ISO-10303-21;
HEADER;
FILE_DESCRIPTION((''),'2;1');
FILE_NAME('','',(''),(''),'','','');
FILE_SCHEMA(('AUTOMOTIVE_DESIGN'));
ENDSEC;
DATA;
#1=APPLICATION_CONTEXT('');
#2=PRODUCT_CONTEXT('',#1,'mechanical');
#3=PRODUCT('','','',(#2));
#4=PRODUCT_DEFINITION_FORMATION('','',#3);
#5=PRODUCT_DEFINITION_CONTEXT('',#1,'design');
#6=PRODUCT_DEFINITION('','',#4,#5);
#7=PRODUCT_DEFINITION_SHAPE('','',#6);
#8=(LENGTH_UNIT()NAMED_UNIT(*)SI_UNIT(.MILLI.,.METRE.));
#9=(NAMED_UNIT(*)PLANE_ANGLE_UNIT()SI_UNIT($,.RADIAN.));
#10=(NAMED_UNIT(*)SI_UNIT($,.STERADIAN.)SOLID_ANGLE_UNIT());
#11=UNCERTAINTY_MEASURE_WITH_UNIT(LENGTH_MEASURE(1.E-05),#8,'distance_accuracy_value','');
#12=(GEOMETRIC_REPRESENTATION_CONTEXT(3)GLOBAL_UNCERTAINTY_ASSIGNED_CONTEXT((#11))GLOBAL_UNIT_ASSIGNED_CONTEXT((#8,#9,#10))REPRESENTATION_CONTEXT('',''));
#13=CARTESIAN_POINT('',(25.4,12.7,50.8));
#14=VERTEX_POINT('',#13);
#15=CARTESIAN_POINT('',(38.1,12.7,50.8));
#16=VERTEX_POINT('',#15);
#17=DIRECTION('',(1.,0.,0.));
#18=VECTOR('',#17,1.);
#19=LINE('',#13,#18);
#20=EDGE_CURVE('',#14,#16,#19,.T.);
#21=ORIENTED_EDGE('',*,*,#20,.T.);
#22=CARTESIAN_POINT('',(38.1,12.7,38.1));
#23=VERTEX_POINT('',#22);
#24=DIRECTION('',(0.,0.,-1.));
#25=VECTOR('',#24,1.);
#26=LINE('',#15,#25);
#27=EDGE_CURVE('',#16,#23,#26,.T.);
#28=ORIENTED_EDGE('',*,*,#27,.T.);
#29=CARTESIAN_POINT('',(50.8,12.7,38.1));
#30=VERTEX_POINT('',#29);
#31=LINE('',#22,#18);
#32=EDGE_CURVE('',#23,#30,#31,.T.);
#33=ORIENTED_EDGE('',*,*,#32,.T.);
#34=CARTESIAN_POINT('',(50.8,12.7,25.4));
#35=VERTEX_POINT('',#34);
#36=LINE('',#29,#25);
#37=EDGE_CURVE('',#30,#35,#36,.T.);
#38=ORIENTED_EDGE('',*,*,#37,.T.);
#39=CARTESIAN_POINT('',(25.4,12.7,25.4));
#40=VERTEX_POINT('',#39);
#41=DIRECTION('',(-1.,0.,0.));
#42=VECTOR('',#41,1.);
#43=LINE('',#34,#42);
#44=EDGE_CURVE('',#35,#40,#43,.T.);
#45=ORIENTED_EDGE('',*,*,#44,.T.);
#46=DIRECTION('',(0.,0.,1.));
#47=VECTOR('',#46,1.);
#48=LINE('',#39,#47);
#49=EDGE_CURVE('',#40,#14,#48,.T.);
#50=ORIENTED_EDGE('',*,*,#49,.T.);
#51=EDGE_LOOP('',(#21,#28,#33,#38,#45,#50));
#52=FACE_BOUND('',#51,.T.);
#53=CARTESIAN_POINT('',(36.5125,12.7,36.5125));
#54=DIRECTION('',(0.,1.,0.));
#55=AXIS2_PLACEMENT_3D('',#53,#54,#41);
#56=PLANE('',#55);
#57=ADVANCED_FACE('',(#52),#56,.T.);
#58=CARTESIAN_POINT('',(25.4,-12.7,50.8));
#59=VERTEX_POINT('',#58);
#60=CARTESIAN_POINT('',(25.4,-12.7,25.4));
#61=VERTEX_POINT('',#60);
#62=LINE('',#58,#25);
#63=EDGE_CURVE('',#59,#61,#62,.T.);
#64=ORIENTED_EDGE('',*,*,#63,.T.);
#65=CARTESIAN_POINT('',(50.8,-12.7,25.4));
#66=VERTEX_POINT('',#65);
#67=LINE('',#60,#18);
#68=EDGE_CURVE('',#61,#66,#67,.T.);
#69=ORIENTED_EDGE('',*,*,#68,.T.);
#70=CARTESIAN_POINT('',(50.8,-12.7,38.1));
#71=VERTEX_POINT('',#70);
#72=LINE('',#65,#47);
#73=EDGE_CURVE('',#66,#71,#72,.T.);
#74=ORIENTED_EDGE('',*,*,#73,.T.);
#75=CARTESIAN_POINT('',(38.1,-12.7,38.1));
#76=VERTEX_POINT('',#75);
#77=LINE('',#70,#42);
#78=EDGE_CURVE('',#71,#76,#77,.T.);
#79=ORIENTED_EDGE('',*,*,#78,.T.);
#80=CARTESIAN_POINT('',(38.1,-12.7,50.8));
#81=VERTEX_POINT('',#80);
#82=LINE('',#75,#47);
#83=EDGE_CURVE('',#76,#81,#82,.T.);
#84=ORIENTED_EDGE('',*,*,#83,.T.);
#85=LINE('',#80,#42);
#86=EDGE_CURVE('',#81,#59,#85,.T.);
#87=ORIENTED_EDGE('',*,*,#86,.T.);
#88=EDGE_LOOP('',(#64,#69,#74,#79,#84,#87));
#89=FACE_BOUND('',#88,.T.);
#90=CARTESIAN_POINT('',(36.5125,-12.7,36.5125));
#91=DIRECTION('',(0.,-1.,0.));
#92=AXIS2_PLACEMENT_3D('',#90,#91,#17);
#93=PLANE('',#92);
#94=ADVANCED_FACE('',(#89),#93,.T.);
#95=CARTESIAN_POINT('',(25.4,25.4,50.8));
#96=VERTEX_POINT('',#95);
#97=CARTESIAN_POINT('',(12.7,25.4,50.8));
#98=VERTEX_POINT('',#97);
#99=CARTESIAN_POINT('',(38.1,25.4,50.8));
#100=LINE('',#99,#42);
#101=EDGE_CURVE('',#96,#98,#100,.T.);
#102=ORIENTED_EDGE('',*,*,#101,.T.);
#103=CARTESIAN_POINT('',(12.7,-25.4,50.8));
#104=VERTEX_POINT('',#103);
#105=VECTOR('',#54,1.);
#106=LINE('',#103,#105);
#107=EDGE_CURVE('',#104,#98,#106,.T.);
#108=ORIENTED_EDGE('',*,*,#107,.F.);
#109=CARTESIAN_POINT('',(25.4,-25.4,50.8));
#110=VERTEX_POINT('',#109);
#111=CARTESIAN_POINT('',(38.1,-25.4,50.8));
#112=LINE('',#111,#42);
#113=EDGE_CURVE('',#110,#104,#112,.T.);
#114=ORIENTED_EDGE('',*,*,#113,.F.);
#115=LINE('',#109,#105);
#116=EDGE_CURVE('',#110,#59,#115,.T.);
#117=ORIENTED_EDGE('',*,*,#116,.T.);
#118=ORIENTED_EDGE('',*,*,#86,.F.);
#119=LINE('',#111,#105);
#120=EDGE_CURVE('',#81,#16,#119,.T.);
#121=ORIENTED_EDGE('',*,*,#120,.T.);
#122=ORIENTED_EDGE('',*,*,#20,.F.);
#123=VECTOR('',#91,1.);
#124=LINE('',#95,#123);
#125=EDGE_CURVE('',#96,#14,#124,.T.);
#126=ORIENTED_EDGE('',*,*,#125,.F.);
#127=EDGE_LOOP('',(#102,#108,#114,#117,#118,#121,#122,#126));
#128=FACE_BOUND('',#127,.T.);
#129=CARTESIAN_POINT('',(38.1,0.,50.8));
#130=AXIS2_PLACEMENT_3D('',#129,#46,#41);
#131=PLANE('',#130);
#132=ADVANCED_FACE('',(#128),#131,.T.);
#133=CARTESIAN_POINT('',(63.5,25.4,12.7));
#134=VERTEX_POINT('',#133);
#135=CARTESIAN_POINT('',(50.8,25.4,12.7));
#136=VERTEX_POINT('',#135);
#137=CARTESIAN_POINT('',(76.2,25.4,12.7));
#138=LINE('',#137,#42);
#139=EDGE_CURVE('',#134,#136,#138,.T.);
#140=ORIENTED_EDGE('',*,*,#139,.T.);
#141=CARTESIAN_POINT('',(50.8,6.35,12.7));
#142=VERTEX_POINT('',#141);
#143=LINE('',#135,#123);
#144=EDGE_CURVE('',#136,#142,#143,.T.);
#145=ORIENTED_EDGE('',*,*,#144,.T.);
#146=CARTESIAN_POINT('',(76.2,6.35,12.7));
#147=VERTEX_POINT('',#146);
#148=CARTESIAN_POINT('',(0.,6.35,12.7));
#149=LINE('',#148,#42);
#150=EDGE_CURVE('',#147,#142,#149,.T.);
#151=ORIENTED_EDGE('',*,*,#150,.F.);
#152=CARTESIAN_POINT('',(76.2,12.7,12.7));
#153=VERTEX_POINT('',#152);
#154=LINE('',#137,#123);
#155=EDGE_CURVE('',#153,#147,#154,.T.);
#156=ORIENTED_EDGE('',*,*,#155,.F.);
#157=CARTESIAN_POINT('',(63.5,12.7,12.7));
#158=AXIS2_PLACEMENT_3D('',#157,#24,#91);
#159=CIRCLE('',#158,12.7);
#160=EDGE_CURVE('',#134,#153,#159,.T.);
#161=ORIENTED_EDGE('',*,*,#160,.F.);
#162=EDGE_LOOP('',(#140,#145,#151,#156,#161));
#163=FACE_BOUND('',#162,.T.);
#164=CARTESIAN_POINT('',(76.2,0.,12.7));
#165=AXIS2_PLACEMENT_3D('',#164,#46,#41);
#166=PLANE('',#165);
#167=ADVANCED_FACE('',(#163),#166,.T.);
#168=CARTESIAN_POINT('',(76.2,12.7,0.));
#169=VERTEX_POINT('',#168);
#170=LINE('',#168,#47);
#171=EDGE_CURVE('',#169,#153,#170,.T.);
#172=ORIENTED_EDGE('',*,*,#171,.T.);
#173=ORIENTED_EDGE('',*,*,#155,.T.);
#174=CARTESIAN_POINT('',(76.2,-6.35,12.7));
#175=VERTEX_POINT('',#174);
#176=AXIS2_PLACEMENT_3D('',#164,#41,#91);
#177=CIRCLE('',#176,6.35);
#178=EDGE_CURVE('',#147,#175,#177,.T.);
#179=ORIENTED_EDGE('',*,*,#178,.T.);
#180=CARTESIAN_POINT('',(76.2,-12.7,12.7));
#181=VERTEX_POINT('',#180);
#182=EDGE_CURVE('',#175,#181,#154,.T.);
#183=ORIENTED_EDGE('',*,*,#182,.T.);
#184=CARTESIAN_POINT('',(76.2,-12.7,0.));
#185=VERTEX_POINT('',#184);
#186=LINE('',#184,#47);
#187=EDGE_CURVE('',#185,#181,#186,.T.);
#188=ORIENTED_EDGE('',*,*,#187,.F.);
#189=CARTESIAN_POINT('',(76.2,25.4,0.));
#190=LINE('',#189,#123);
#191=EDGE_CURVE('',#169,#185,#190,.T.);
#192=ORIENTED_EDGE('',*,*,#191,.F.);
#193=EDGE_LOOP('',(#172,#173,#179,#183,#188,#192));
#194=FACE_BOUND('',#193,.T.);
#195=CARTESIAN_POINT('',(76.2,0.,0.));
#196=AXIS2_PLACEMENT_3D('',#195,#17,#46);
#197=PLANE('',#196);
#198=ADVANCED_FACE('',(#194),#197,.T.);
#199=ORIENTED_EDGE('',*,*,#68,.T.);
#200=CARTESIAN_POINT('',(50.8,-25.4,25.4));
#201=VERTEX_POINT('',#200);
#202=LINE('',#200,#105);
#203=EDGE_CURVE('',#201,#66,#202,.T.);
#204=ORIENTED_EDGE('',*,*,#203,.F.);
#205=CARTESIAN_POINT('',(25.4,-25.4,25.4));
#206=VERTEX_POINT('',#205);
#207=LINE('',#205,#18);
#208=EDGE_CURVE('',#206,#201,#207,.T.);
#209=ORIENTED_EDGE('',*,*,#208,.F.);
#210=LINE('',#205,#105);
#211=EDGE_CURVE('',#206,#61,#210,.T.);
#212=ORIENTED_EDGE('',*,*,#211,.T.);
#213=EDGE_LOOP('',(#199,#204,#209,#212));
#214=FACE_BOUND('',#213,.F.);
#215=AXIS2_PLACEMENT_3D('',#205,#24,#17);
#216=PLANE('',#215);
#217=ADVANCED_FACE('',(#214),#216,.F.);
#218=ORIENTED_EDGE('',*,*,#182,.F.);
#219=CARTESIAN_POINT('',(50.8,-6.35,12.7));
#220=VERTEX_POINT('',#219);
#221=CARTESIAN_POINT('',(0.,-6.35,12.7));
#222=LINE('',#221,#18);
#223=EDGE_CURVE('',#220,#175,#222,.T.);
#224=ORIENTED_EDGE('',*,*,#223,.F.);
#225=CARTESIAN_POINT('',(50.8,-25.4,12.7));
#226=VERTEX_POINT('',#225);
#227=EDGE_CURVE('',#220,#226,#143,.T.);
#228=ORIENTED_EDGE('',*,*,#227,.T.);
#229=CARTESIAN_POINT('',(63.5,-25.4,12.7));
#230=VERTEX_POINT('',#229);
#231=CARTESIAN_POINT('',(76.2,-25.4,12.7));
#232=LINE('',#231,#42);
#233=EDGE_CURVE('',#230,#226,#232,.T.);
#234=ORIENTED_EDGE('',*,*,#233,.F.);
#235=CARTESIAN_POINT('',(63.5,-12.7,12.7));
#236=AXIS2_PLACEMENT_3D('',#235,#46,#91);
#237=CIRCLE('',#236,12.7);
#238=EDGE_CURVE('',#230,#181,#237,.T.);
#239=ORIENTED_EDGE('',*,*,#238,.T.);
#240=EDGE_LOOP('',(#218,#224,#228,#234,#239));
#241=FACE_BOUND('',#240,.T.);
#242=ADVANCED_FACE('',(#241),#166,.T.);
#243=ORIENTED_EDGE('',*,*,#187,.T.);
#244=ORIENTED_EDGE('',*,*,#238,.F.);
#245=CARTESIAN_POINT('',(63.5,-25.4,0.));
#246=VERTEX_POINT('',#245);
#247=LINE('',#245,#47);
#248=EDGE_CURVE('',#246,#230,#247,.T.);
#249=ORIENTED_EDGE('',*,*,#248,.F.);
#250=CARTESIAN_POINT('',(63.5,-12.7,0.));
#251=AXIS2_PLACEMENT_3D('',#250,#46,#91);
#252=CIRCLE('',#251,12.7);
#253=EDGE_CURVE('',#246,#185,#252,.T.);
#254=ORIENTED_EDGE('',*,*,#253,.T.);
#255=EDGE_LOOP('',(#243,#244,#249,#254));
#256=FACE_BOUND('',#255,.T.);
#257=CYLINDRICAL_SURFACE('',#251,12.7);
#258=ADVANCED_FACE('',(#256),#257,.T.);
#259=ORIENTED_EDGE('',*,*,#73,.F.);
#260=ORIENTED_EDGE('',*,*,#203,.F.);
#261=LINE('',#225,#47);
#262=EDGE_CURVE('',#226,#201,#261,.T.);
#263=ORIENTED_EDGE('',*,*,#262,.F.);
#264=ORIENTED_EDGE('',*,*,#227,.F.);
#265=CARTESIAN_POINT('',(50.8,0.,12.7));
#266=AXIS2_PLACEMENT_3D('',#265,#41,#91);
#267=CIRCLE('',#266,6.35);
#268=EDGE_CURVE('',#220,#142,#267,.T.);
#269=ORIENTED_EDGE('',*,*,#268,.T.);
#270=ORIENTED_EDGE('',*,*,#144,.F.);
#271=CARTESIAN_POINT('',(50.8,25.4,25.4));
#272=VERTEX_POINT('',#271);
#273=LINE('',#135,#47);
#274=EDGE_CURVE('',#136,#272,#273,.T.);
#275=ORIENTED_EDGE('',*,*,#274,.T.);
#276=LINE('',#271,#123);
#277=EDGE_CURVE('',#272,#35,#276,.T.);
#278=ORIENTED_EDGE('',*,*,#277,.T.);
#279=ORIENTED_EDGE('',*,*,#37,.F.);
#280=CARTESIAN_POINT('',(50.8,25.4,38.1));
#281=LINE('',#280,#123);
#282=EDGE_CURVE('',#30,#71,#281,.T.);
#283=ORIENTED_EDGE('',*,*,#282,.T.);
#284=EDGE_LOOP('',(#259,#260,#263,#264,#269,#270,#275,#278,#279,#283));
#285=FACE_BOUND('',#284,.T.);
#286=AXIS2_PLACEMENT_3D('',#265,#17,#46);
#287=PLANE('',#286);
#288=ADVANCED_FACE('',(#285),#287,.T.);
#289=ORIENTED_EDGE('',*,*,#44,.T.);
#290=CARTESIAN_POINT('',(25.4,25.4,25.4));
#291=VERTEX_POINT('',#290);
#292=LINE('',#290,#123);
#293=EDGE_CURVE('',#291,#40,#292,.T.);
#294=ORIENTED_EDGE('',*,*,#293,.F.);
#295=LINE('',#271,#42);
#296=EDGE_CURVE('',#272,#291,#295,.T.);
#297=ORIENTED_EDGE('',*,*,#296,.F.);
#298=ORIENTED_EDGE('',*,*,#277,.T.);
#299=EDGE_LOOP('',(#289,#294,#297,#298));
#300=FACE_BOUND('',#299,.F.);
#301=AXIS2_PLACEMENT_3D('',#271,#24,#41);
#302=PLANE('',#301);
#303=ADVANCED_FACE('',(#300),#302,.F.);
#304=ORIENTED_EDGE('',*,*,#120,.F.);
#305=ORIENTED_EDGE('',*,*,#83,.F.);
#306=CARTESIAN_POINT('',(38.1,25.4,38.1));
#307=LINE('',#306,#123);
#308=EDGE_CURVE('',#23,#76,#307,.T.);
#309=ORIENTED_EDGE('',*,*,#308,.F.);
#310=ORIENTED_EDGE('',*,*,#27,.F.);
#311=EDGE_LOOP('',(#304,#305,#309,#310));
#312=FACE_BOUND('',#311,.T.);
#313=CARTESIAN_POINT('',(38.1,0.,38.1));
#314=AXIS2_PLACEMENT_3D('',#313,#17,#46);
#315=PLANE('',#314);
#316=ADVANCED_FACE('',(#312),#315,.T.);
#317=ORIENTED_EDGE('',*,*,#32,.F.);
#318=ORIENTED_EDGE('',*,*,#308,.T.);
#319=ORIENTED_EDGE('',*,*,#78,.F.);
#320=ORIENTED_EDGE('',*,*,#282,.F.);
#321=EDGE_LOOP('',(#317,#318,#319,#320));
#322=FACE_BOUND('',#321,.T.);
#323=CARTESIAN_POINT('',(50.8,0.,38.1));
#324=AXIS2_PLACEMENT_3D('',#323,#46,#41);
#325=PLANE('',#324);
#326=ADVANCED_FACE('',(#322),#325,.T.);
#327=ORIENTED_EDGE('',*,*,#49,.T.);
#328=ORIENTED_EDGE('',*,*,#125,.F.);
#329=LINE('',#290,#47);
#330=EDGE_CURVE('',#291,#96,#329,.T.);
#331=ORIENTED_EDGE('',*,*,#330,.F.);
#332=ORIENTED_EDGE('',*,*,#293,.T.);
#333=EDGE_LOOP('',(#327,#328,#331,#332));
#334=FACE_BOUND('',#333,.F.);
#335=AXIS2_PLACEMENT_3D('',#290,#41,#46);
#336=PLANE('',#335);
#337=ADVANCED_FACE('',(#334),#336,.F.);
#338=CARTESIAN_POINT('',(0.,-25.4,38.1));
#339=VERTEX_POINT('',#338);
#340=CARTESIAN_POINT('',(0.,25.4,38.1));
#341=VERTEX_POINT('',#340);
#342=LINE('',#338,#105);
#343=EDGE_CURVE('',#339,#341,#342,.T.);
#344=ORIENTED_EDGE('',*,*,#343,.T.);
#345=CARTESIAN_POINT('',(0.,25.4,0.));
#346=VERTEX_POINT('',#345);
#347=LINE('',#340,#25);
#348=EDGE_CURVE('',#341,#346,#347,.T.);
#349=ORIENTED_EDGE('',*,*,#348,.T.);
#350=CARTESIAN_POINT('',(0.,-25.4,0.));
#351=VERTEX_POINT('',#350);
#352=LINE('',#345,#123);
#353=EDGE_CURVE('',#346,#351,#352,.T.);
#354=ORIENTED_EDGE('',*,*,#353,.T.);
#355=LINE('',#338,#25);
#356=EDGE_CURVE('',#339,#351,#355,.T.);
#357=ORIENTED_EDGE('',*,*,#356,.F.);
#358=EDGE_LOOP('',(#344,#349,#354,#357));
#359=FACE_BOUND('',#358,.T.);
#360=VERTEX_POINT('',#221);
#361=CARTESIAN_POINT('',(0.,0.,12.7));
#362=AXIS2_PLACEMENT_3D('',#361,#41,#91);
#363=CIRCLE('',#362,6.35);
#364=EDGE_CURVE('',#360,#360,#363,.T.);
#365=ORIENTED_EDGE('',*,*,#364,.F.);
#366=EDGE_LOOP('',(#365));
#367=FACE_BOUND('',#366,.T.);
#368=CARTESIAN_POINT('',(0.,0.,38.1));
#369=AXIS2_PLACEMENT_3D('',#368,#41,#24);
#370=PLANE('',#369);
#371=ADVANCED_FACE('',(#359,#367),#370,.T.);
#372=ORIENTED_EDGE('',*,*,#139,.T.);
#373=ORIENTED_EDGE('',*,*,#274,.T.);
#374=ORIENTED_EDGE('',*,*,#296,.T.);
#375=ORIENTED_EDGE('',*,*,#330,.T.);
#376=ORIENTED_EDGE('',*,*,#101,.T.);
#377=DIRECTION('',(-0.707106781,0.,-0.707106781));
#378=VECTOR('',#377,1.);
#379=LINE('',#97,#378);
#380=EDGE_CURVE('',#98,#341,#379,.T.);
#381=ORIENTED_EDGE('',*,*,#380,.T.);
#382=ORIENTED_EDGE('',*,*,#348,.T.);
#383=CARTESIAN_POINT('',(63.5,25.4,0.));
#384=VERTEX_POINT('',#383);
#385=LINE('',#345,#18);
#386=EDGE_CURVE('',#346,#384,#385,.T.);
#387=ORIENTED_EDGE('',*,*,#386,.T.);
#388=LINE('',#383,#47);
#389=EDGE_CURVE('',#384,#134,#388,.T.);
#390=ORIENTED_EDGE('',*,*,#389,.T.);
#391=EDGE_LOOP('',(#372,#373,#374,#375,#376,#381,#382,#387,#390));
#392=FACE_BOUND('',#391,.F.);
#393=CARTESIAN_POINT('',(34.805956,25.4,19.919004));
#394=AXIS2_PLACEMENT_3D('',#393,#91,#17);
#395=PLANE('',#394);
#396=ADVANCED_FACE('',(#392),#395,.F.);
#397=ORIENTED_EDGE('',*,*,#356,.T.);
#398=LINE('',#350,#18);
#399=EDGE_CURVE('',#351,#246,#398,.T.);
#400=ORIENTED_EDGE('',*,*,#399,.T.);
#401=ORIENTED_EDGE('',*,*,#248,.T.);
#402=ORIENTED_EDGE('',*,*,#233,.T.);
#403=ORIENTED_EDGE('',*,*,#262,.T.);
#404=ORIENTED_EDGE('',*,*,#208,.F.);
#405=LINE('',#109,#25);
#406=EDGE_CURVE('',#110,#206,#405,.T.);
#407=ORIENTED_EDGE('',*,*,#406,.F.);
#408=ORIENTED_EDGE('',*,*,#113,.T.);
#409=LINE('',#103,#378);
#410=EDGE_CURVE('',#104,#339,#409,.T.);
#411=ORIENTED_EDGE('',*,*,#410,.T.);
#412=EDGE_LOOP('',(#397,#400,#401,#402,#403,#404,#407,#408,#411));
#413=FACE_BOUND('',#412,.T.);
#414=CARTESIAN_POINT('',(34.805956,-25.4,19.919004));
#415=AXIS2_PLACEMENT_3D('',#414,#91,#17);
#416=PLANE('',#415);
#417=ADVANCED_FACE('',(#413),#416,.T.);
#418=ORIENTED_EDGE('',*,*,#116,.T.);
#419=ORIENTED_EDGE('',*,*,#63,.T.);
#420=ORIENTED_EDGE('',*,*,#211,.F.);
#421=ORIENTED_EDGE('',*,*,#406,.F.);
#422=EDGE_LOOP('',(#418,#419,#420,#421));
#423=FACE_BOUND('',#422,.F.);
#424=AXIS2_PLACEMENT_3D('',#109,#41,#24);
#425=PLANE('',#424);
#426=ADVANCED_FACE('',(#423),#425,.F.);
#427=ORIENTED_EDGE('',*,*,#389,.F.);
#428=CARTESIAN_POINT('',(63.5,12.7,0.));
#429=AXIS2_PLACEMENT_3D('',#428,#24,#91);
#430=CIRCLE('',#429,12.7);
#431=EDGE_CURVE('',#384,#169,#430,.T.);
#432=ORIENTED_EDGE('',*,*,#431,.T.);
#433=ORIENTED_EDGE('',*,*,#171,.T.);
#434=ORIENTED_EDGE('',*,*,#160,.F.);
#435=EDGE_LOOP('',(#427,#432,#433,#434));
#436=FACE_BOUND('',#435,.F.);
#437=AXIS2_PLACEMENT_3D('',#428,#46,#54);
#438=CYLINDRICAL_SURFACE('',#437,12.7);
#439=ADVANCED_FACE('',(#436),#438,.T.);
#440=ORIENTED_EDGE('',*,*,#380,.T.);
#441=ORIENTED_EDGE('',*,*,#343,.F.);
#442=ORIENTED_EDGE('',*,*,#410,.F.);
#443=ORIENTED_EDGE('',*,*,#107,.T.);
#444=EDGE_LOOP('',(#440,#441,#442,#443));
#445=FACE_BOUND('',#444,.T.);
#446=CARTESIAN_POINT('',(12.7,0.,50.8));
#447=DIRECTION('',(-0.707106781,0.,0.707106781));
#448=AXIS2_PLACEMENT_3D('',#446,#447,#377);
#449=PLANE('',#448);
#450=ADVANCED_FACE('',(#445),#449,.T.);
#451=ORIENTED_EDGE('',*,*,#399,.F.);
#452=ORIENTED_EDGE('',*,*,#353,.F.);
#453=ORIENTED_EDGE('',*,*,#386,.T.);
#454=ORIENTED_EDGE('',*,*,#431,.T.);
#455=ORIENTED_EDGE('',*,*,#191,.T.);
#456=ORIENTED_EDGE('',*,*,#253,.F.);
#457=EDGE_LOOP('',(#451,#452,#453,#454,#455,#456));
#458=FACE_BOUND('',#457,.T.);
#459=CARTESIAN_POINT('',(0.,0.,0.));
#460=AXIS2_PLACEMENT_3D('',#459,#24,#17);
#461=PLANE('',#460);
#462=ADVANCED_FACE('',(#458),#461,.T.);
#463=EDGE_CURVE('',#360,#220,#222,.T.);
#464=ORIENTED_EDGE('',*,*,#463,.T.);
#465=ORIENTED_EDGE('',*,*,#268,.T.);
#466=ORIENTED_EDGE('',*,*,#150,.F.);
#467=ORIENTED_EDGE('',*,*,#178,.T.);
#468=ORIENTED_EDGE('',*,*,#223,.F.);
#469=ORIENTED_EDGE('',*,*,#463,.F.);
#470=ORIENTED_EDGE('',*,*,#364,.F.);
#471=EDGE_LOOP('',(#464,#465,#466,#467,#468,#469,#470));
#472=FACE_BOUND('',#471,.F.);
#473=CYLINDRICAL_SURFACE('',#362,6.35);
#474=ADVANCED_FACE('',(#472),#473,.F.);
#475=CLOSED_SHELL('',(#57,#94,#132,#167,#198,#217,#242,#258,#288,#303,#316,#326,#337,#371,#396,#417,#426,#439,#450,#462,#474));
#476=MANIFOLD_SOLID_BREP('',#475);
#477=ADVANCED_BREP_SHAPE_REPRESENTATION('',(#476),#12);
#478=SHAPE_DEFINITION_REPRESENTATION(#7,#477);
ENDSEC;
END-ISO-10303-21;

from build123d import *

# Parameters (mm, degrees)
F1_DEPTH = 25.4
F3_DEPTH = 12.7
F5_DEPTH = 12.7
F6_R     = 6.35
F7_DEPTH = 76.201
F8_R     = 12.7


with BuildPart() as f1:
    # F0 (on Front) → F1 (new body, symmetric)
    with BuildSketch(Plane.XZ):
        Polygon((0, 38.1), (0, 0), (76.2, 0), (76.2, 12.7), (50.8, 12.7), (50.8, 38.1), (38.1, 38.1), (38.1, 50.8), (12.7, 50.8), align=None)
    extrude(amount=F1_DEPTH, both=True)

    # F2 (on face) → F3 (cut)
    with BuildSketch(Plane.XZ.offset(25.4)):
        Polygon((38.1, 50.8), (25.4, 50.8), (25.4, 25.4), (50.8, 25.4), (50.8, 38.1), (38.1, 38.1), align=None)
    extrude(amount=-F3_DEPTH, mode=Mode.SUBTRACT)

    # F4 (on face) → F5 (cut)
    with BuildSketch(Plane(origin=(0, 25.4, 0), x_dir=(-1, 0, 0), z_dir=(0, 1, 0))):
        Polygon((-25.4, 50.8), (-38.1, 50.8), (-38.1, 38.1), (-50.8, 38.1), (-50.8, 25.4), (-25.4, 25.4), align=None)
    extrude(amount=-F5_DEPTH, mode=Mode.SUBTRACT)

    # F6 (on face) → F7 (cut, through all)
    with BuildSketch(Plane(origin=(0, 0, 0), x_dir=(0, -1, 0), z_dir=(-1, 0, 0))):
        with Locations((0, 12.7)):
            Circle(F6_R)
    extrude(amount=-F7_DEPTH, mode=Mode.SUBTRACT)

    # F8
    f8_edges = [f1.edges().sort_by_distance(p)[0] for p in [
        (76.2, 25.4, 6.35),
        (76.2, -25.4, 6.35),
    ]]
    fillet(f8_edges, radius=F8_R)


solid = f1.part
